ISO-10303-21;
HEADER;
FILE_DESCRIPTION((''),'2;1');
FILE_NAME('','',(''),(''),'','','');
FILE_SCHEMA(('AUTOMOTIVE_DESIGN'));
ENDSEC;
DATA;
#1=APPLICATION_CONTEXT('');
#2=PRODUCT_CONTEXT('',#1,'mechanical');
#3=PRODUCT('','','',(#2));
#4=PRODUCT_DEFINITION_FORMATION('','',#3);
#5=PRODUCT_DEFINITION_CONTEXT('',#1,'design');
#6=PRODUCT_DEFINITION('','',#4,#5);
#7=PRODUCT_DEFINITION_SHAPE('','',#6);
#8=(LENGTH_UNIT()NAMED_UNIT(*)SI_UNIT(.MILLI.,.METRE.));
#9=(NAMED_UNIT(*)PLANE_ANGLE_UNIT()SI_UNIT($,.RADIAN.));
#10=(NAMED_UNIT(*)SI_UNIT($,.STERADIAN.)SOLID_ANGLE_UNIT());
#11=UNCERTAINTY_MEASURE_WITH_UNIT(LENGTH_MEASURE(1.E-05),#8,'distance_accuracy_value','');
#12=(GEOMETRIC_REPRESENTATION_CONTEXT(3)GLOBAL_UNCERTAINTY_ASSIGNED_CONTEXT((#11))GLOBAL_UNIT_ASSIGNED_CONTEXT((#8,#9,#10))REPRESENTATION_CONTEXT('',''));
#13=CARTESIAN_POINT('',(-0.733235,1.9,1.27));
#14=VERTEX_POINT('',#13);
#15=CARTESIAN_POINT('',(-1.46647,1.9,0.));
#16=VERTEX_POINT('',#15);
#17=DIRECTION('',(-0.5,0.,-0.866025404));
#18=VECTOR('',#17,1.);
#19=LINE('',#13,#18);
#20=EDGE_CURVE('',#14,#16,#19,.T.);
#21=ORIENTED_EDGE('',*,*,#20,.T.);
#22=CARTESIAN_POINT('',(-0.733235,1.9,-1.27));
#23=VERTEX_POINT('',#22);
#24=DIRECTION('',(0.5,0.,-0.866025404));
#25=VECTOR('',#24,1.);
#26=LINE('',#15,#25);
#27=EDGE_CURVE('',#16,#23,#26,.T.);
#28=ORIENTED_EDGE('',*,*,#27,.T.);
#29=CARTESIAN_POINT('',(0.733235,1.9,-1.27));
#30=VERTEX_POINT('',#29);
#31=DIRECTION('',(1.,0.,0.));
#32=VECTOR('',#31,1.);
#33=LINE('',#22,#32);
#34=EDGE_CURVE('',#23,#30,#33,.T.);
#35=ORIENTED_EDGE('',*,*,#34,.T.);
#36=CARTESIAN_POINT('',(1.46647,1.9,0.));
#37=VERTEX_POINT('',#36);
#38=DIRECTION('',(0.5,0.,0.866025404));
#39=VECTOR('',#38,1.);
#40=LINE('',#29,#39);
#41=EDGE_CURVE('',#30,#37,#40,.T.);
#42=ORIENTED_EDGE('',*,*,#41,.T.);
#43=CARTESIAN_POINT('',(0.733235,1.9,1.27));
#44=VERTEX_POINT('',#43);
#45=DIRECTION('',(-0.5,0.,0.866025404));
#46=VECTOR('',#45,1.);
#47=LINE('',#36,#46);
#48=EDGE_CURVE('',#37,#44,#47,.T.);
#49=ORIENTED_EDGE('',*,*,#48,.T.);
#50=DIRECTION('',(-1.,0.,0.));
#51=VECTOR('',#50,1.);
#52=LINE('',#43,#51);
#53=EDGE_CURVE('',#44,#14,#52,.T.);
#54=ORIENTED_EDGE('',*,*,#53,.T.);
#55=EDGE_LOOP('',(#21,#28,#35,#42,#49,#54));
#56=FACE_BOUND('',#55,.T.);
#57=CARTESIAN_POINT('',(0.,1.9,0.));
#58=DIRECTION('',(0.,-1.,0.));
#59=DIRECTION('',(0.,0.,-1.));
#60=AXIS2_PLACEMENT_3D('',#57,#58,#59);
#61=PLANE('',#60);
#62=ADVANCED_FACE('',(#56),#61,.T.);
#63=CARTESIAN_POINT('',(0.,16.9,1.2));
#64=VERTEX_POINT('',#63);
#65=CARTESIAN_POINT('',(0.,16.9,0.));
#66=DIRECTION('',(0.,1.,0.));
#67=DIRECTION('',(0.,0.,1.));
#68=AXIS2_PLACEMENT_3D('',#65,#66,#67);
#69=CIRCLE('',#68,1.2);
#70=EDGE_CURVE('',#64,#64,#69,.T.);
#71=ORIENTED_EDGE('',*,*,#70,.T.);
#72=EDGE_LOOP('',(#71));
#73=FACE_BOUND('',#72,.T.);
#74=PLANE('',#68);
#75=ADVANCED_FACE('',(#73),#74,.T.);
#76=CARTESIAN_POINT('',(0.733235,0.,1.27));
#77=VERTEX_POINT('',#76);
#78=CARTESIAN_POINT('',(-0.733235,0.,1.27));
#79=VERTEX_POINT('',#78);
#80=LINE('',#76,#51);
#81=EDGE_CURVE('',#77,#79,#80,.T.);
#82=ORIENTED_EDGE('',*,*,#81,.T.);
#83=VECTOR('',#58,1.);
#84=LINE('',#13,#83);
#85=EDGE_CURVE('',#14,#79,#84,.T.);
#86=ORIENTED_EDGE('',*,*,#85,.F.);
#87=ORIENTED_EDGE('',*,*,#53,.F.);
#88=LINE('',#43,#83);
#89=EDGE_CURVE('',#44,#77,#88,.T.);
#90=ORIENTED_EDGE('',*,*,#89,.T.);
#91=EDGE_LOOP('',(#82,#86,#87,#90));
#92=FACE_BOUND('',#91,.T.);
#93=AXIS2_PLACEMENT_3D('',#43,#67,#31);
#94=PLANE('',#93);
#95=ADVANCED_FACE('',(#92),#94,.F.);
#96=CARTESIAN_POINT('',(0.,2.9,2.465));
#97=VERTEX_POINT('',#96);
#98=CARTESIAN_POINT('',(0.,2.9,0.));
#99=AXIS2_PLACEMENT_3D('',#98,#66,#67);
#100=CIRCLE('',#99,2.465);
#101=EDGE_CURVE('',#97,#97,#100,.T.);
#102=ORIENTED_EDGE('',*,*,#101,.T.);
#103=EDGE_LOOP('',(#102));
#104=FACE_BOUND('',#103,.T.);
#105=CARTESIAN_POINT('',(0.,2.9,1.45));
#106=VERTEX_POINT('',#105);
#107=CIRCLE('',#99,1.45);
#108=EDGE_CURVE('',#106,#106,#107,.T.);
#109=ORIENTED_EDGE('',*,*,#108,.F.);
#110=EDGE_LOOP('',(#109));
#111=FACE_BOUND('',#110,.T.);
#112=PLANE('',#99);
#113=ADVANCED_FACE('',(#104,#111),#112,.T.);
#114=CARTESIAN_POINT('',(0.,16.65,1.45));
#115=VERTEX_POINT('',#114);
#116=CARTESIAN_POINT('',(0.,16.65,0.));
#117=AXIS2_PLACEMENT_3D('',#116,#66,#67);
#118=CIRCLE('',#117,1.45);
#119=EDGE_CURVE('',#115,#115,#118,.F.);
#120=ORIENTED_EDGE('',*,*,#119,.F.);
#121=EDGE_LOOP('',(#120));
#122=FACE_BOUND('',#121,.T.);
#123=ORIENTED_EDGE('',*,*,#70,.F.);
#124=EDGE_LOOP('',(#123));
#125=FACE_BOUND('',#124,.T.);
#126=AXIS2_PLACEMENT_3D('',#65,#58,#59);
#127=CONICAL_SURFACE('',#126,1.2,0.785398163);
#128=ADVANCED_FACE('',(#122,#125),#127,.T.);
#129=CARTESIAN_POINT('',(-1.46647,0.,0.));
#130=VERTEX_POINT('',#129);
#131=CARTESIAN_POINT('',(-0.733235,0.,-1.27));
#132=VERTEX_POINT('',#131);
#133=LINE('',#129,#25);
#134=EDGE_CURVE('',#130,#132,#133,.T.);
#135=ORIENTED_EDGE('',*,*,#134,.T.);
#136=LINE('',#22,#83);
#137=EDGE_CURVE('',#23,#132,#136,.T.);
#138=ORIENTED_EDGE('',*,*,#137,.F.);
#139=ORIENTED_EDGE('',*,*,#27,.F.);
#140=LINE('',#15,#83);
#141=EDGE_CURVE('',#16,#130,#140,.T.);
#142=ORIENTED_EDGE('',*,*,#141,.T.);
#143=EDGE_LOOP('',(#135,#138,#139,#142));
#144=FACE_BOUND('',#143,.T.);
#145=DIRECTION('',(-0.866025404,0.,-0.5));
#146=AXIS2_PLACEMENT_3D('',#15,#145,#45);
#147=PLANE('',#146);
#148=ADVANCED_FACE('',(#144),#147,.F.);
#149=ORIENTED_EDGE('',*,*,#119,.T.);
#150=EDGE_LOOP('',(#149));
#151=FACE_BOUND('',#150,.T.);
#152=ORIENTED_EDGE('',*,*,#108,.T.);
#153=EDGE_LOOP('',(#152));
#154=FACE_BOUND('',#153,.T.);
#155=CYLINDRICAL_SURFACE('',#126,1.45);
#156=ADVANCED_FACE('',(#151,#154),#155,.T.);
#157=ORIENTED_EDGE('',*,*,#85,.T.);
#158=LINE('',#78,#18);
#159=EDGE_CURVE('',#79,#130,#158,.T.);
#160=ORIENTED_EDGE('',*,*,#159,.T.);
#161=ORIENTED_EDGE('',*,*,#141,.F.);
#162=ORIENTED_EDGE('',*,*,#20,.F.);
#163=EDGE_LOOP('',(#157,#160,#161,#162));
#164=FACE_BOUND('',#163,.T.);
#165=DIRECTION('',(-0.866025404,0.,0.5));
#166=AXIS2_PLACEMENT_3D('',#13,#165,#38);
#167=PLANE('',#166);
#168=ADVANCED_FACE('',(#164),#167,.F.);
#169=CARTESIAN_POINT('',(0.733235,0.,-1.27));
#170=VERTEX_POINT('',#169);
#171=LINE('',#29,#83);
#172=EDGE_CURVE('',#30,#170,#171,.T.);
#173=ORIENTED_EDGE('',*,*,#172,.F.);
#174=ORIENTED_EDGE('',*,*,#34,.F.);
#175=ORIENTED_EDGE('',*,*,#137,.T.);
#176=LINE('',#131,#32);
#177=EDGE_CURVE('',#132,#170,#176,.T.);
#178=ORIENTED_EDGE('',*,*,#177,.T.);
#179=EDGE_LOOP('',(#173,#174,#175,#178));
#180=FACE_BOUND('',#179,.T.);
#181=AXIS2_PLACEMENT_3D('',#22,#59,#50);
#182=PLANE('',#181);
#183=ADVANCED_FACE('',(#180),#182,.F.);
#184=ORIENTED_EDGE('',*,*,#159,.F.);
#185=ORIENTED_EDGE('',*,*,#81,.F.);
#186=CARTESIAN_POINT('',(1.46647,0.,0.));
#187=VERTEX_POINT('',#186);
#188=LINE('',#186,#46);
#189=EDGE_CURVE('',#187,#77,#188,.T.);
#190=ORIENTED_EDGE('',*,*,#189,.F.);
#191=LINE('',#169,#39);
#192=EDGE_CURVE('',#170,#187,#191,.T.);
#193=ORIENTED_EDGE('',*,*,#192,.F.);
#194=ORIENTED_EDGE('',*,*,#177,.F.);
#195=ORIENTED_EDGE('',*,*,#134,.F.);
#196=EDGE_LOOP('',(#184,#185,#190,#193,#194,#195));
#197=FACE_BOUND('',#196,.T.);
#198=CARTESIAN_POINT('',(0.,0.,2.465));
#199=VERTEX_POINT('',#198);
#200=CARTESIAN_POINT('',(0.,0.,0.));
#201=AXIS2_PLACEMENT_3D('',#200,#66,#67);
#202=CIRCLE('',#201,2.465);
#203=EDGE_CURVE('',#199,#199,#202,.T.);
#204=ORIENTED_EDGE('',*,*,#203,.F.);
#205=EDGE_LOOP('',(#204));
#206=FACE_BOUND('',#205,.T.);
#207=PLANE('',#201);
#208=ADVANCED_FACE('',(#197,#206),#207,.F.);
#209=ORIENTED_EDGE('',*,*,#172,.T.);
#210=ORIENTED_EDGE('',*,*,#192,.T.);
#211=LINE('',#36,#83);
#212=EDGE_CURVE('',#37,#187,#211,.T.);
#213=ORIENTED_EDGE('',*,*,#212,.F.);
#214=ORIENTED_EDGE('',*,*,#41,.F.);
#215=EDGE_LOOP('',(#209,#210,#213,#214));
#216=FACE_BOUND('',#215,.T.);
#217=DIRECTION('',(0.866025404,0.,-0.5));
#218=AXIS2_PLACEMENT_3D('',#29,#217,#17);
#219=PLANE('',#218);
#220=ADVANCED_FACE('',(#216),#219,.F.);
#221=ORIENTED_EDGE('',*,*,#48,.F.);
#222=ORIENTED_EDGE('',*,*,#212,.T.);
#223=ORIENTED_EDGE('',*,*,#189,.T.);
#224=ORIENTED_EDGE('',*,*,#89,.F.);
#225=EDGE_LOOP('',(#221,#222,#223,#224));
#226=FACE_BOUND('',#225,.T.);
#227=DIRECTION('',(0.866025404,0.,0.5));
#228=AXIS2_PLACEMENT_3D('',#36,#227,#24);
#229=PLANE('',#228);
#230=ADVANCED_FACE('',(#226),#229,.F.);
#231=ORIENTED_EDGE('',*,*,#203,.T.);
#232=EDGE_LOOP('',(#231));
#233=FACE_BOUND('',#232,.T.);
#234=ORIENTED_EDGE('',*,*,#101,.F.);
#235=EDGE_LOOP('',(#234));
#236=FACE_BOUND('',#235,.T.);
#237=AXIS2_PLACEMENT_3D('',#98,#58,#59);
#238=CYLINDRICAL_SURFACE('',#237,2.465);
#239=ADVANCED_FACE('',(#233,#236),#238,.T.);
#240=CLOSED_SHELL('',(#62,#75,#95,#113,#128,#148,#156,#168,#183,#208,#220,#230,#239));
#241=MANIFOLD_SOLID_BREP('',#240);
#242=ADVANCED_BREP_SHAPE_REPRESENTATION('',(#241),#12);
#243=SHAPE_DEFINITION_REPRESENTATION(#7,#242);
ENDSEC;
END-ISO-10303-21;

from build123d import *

# Parameters (mm, degrees)
SKETCH1_R           = 2.465
BOSS_EXTRUDE1_DEPTH = 2.9
SKETCH2_R           = 1.45
BOSS_EXTRUDE2_DEPTH = 14
CUT_EXTRUDE1_DEPTH  = 1.9
CHAMFER1_SIZE       = 0.25


with BuildPart() as part:
    # Sketch1 → Boss-Extrude1 (new body)
    with BuildSketch(Plane(origin=(0, 0, 0), x_dir=(1, 0, 0), z_dir=(0, 1, 0))):
        Circle(SKETCH1_R)
    extrude(amount=BOSS_EXTRUDE1_DEPTH)

    # Sketch2 → Boss-Extrude2 (add)
    with BuildSketch(Plane(origin=(0, 2.9, 0), x_dir=(1, 0, 0), z_dir=(0, 1, 0))):
        Circle(SKETCH2_R)
    extrude(amount=BOSS_EXTRUDE2_DEPTH)

    # Sketch3 → Cut-Extrude1 (cut)
    with BuildSketch(Plane.XZ):
        Polygon((0.733234842, -1.27), (1.466469684, 0), (0.733234842, 1.27), (-0.733234842, 1.27), (-1.466469684, 0), (-0.733234842, -1.27), align=None)
    extrude(amount=-CUT_EXTRUDE1_DEPTH, mode=Mode.SUBTRACT)

    # Chamfer1
    chamfer1_edges = [part.edges().sort_by_distance(p)[0] for p in [
        (-1.45, 16.9, 0),
    ]]
    chamfer(chamfer1_edges, length=CHAMFER1_SIZE)


solid = part.part
